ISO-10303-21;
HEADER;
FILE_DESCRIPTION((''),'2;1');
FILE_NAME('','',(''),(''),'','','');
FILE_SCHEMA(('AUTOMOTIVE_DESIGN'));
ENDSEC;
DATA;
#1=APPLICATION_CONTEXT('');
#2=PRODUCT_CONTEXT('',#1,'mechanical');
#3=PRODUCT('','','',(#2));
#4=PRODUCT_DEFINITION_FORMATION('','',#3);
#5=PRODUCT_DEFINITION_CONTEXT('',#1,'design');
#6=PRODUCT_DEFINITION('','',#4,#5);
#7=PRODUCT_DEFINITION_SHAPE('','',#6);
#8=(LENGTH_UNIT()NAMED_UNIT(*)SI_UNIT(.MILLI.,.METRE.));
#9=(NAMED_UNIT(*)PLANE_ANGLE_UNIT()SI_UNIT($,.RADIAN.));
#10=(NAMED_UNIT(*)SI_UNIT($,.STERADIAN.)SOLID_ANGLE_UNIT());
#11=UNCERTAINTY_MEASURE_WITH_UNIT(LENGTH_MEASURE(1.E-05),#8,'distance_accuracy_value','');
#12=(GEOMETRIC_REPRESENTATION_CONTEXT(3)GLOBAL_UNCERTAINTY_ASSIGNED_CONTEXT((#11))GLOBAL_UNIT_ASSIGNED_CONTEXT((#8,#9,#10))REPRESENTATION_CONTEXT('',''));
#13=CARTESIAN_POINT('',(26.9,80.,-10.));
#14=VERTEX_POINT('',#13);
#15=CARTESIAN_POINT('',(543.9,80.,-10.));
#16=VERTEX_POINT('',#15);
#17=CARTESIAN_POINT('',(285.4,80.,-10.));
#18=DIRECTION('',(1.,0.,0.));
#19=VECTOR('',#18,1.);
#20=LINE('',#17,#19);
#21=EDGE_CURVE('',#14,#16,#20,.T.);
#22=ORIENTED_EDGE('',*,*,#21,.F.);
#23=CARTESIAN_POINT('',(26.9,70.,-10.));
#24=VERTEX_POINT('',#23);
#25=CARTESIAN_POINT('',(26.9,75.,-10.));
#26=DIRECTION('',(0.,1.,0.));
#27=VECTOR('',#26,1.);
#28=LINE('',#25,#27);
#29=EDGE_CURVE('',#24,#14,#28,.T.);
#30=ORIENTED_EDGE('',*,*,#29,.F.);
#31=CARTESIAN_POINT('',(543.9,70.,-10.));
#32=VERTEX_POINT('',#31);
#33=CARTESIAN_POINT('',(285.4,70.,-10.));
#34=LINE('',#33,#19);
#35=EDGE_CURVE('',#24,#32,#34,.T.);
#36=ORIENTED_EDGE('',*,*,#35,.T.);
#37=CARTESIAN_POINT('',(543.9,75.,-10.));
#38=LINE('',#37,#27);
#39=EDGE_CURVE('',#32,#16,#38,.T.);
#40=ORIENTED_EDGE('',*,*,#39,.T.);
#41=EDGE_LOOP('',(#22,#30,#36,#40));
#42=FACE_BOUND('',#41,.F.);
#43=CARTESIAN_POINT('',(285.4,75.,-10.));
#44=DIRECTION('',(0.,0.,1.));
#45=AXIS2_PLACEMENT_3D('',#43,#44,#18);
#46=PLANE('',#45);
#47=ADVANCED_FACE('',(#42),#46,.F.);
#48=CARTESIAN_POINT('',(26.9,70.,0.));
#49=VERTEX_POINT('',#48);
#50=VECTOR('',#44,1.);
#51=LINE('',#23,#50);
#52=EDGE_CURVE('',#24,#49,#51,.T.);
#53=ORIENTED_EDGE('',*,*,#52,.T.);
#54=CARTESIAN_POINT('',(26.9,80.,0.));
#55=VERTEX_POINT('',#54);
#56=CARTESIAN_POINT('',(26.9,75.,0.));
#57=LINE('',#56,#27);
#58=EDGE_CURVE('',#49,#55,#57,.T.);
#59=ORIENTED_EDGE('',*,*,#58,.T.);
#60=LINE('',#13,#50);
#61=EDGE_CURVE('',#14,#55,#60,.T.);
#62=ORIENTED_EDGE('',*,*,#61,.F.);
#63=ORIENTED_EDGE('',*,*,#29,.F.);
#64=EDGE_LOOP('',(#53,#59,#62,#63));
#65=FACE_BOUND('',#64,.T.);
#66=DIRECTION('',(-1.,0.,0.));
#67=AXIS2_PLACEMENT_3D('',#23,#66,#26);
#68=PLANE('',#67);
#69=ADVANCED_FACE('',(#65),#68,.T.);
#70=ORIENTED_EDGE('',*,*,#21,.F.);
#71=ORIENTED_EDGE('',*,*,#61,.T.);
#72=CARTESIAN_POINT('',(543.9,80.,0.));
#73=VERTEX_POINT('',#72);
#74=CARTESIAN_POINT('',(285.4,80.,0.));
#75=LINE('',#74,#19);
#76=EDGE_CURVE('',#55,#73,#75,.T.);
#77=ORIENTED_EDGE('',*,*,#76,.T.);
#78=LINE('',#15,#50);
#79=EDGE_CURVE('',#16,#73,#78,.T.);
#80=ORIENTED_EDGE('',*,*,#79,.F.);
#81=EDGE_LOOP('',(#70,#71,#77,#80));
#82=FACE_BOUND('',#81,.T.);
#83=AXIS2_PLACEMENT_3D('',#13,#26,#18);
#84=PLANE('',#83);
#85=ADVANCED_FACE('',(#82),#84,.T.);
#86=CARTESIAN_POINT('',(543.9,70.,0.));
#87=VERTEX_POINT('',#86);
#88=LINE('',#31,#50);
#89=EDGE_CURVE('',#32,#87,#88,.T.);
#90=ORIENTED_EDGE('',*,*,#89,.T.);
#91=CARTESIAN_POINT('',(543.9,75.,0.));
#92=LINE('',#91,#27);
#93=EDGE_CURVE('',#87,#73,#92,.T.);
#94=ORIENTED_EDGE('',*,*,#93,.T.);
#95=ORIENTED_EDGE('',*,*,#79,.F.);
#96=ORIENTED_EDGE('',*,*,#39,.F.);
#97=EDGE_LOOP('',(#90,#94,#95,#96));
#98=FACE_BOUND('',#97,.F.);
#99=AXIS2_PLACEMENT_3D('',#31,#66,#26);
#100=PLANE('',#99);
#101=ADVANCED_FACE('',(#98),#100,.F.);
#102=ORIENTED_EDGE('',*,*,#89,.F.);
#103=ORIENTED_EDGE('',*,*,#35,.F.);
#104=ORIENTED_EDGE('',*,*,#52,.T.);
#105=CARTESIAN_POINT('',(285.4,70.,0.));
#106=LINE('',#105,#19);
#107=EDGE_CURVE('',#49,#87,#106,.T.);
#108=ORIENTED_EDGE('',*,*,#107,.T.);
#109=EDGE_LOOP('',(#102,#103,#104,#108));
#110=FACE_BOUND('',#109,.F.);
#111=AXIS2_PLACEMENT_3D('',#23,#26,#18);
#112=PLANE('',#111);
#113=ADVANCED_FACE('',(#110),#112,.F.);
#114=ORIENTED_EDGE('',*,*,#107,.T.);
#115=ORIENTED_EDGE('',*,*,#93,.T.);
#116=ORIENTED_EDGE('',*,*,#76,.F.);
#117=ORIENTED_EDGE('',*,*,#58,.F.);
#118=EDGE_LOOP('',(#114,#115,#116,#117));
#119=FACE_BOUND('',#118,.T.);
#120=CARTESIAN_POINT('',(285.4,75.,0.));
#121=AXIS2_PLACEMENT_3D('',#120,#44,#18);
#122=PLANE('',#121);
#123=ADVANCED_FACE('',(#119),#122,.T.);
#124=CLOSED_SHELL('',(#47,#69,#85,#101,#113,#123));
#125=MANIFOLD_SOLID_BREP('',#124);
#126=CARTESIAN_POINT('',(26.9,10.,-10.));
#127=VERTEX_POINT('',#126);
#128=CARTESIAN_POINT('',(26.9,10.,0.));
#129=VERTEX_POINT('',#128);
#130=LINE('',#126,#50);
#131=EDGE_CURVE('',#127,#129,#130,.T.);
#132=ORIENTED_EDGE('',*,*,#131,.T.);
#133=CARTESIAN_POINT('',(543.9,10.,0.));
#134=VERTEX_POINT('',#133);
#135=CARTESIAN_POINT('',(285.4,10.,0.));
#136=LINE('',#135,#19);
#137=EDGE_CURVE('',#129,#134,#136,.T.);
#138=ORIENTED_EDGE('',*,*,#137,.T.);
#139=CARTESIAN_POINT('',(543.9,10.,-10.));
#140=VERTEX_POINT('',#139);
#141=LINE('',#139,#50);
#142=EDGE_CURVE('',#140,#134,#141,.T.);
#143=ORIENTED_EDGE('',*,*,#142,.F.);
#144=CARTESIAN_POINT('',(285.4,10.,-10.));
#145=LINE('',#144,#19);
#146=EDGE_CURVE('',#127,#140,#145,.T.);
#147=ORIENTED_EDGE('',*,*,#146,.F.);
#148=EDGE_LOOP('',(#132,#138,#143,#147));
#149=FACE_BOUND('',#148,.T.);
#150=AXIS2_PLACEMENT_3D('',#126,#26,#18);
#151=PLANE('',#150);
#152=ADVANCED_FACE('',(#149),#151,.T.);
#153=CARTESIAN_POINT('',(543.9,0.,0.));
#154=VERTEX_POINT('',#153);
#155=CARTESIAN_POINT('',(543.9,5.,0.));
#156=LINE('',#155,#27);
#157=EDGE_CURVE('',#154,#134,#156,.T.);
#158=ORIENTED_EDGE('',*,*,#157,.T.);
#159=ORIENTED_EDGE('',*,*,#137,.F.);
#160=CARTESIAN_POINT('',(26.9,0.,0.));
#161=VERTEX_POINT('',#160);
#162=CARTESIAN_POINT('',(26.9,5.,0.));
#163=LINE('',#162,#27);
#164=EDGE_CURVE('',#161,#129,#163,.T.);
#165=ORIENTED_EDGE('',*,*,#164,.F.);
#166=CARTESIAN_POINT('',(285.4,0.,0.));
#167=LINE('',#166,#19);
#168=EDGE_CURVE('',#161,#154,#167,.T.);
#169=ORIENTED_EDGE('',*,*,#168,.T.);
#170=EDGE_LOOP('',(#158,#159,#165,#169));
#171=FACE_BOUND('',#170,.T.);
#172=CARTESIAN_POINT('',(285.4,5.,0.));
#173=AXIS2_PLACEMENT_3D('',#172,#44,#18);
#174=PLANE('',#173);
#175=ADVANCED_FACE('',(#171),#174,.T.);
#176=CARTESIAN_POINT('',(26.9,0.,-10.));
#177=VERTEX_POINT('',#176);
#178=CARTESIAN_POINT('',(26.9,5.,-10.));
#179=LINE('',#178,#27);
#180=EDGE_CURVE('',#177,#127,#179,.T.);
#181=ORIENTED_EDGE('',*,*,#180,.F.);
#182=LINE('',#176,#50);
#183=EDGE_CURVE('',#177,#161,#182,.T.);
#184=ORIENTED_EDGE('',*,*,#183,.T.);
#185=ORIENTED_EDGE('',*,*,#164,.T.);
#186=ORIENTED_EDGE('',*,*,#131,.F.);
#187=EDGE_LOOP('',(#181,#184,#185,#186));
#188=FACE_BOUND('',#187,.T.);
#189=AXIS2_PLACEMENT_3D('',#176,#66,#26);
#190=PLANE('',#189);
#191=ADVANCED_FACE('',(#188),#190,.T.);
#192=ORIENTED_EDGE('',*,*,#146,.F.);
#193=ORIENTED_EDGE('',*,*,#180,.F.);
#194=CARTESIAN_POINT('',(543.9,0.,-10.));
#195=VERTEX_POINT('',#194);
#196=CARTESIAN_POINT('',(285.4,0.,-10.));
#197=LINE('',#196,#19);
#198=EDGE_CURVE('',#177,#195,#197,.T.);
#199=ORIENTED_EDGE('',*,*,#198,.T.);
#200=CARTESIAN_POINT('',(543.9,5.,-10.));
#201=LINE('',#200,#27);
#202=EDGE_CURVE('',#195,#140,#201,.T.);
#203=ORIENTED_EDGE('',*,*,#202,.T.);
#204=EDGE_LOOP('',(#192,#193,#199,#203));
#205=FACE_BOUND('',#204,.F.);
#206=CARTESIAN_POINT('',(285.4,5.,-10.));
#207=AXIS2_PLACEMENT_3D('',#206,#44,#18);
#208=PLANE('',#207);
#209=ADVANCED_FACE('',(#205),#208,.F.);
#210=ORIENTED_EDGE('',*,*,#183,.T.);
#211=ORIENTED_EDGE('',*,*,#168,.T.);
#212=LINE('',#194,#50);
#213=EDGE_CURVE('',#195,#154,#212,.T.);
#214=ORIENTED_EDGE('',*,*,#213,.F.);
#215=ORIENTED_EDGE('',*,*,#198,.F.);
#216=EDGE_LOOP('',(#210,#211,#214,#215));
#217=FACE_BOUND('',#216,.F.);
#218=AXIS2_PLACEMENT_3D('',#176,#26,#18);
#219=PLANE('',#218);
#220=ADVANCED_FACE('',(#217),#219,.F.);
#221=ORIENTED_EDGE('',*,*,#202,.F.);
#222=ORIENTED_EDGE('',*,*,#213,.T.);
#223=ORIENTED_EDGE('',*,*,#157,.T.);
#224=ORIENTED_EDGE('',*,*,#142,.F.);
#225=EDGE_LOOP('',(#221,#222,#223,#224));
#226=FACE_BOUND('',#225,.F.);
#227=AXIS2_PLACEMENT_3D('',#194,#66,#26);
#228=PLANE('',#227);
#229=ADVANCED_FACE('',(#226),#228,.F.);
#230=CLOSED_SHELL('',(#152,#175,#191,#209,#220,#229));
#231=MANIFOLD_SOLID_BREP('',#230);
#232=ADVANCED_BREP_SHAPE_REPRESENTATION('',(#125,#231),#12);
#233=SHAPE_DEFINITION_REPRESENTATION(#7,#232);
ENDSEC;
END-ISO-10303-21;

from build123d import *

# Parameters (mm, degrees)
BOX008_W     = 517
BOX008_H     = 10
BOX008_DEPTH = 10
BOX011_W     = 517
BOX011_H     = 10
BOX011_DEPTH = 10


with BuildPart() as box008:
    # Box008 → Box008 (new body)
    with BuildSketch(Plane(origin=(26.9, 0, -10), x_dir=(1, 0, 0), z_dir=(0, 0, 1))):
        with Locations((258.5, 5)):
            Rectangle(BOX008_W, BOX008_H)
    extrude(amount=BOX008_DEPTH)


with BuildPart() as kipper_frame_metal:
    # Box011 → Box011 (new body)
    with BuildSketch(Plane(origin=(26.9, 70, -10), x_dir=(1, 0, 0), z_dir=(0, 0, 1))):
        with Locations((258.5, 5)):
            Rectangle(BOX011_W, BOX011_H)
    extrude(amount=BOX011_DEPTH)

    # Fusion034: union Box008
    add(box008.part)


solid = kipper_frame_metal.part
